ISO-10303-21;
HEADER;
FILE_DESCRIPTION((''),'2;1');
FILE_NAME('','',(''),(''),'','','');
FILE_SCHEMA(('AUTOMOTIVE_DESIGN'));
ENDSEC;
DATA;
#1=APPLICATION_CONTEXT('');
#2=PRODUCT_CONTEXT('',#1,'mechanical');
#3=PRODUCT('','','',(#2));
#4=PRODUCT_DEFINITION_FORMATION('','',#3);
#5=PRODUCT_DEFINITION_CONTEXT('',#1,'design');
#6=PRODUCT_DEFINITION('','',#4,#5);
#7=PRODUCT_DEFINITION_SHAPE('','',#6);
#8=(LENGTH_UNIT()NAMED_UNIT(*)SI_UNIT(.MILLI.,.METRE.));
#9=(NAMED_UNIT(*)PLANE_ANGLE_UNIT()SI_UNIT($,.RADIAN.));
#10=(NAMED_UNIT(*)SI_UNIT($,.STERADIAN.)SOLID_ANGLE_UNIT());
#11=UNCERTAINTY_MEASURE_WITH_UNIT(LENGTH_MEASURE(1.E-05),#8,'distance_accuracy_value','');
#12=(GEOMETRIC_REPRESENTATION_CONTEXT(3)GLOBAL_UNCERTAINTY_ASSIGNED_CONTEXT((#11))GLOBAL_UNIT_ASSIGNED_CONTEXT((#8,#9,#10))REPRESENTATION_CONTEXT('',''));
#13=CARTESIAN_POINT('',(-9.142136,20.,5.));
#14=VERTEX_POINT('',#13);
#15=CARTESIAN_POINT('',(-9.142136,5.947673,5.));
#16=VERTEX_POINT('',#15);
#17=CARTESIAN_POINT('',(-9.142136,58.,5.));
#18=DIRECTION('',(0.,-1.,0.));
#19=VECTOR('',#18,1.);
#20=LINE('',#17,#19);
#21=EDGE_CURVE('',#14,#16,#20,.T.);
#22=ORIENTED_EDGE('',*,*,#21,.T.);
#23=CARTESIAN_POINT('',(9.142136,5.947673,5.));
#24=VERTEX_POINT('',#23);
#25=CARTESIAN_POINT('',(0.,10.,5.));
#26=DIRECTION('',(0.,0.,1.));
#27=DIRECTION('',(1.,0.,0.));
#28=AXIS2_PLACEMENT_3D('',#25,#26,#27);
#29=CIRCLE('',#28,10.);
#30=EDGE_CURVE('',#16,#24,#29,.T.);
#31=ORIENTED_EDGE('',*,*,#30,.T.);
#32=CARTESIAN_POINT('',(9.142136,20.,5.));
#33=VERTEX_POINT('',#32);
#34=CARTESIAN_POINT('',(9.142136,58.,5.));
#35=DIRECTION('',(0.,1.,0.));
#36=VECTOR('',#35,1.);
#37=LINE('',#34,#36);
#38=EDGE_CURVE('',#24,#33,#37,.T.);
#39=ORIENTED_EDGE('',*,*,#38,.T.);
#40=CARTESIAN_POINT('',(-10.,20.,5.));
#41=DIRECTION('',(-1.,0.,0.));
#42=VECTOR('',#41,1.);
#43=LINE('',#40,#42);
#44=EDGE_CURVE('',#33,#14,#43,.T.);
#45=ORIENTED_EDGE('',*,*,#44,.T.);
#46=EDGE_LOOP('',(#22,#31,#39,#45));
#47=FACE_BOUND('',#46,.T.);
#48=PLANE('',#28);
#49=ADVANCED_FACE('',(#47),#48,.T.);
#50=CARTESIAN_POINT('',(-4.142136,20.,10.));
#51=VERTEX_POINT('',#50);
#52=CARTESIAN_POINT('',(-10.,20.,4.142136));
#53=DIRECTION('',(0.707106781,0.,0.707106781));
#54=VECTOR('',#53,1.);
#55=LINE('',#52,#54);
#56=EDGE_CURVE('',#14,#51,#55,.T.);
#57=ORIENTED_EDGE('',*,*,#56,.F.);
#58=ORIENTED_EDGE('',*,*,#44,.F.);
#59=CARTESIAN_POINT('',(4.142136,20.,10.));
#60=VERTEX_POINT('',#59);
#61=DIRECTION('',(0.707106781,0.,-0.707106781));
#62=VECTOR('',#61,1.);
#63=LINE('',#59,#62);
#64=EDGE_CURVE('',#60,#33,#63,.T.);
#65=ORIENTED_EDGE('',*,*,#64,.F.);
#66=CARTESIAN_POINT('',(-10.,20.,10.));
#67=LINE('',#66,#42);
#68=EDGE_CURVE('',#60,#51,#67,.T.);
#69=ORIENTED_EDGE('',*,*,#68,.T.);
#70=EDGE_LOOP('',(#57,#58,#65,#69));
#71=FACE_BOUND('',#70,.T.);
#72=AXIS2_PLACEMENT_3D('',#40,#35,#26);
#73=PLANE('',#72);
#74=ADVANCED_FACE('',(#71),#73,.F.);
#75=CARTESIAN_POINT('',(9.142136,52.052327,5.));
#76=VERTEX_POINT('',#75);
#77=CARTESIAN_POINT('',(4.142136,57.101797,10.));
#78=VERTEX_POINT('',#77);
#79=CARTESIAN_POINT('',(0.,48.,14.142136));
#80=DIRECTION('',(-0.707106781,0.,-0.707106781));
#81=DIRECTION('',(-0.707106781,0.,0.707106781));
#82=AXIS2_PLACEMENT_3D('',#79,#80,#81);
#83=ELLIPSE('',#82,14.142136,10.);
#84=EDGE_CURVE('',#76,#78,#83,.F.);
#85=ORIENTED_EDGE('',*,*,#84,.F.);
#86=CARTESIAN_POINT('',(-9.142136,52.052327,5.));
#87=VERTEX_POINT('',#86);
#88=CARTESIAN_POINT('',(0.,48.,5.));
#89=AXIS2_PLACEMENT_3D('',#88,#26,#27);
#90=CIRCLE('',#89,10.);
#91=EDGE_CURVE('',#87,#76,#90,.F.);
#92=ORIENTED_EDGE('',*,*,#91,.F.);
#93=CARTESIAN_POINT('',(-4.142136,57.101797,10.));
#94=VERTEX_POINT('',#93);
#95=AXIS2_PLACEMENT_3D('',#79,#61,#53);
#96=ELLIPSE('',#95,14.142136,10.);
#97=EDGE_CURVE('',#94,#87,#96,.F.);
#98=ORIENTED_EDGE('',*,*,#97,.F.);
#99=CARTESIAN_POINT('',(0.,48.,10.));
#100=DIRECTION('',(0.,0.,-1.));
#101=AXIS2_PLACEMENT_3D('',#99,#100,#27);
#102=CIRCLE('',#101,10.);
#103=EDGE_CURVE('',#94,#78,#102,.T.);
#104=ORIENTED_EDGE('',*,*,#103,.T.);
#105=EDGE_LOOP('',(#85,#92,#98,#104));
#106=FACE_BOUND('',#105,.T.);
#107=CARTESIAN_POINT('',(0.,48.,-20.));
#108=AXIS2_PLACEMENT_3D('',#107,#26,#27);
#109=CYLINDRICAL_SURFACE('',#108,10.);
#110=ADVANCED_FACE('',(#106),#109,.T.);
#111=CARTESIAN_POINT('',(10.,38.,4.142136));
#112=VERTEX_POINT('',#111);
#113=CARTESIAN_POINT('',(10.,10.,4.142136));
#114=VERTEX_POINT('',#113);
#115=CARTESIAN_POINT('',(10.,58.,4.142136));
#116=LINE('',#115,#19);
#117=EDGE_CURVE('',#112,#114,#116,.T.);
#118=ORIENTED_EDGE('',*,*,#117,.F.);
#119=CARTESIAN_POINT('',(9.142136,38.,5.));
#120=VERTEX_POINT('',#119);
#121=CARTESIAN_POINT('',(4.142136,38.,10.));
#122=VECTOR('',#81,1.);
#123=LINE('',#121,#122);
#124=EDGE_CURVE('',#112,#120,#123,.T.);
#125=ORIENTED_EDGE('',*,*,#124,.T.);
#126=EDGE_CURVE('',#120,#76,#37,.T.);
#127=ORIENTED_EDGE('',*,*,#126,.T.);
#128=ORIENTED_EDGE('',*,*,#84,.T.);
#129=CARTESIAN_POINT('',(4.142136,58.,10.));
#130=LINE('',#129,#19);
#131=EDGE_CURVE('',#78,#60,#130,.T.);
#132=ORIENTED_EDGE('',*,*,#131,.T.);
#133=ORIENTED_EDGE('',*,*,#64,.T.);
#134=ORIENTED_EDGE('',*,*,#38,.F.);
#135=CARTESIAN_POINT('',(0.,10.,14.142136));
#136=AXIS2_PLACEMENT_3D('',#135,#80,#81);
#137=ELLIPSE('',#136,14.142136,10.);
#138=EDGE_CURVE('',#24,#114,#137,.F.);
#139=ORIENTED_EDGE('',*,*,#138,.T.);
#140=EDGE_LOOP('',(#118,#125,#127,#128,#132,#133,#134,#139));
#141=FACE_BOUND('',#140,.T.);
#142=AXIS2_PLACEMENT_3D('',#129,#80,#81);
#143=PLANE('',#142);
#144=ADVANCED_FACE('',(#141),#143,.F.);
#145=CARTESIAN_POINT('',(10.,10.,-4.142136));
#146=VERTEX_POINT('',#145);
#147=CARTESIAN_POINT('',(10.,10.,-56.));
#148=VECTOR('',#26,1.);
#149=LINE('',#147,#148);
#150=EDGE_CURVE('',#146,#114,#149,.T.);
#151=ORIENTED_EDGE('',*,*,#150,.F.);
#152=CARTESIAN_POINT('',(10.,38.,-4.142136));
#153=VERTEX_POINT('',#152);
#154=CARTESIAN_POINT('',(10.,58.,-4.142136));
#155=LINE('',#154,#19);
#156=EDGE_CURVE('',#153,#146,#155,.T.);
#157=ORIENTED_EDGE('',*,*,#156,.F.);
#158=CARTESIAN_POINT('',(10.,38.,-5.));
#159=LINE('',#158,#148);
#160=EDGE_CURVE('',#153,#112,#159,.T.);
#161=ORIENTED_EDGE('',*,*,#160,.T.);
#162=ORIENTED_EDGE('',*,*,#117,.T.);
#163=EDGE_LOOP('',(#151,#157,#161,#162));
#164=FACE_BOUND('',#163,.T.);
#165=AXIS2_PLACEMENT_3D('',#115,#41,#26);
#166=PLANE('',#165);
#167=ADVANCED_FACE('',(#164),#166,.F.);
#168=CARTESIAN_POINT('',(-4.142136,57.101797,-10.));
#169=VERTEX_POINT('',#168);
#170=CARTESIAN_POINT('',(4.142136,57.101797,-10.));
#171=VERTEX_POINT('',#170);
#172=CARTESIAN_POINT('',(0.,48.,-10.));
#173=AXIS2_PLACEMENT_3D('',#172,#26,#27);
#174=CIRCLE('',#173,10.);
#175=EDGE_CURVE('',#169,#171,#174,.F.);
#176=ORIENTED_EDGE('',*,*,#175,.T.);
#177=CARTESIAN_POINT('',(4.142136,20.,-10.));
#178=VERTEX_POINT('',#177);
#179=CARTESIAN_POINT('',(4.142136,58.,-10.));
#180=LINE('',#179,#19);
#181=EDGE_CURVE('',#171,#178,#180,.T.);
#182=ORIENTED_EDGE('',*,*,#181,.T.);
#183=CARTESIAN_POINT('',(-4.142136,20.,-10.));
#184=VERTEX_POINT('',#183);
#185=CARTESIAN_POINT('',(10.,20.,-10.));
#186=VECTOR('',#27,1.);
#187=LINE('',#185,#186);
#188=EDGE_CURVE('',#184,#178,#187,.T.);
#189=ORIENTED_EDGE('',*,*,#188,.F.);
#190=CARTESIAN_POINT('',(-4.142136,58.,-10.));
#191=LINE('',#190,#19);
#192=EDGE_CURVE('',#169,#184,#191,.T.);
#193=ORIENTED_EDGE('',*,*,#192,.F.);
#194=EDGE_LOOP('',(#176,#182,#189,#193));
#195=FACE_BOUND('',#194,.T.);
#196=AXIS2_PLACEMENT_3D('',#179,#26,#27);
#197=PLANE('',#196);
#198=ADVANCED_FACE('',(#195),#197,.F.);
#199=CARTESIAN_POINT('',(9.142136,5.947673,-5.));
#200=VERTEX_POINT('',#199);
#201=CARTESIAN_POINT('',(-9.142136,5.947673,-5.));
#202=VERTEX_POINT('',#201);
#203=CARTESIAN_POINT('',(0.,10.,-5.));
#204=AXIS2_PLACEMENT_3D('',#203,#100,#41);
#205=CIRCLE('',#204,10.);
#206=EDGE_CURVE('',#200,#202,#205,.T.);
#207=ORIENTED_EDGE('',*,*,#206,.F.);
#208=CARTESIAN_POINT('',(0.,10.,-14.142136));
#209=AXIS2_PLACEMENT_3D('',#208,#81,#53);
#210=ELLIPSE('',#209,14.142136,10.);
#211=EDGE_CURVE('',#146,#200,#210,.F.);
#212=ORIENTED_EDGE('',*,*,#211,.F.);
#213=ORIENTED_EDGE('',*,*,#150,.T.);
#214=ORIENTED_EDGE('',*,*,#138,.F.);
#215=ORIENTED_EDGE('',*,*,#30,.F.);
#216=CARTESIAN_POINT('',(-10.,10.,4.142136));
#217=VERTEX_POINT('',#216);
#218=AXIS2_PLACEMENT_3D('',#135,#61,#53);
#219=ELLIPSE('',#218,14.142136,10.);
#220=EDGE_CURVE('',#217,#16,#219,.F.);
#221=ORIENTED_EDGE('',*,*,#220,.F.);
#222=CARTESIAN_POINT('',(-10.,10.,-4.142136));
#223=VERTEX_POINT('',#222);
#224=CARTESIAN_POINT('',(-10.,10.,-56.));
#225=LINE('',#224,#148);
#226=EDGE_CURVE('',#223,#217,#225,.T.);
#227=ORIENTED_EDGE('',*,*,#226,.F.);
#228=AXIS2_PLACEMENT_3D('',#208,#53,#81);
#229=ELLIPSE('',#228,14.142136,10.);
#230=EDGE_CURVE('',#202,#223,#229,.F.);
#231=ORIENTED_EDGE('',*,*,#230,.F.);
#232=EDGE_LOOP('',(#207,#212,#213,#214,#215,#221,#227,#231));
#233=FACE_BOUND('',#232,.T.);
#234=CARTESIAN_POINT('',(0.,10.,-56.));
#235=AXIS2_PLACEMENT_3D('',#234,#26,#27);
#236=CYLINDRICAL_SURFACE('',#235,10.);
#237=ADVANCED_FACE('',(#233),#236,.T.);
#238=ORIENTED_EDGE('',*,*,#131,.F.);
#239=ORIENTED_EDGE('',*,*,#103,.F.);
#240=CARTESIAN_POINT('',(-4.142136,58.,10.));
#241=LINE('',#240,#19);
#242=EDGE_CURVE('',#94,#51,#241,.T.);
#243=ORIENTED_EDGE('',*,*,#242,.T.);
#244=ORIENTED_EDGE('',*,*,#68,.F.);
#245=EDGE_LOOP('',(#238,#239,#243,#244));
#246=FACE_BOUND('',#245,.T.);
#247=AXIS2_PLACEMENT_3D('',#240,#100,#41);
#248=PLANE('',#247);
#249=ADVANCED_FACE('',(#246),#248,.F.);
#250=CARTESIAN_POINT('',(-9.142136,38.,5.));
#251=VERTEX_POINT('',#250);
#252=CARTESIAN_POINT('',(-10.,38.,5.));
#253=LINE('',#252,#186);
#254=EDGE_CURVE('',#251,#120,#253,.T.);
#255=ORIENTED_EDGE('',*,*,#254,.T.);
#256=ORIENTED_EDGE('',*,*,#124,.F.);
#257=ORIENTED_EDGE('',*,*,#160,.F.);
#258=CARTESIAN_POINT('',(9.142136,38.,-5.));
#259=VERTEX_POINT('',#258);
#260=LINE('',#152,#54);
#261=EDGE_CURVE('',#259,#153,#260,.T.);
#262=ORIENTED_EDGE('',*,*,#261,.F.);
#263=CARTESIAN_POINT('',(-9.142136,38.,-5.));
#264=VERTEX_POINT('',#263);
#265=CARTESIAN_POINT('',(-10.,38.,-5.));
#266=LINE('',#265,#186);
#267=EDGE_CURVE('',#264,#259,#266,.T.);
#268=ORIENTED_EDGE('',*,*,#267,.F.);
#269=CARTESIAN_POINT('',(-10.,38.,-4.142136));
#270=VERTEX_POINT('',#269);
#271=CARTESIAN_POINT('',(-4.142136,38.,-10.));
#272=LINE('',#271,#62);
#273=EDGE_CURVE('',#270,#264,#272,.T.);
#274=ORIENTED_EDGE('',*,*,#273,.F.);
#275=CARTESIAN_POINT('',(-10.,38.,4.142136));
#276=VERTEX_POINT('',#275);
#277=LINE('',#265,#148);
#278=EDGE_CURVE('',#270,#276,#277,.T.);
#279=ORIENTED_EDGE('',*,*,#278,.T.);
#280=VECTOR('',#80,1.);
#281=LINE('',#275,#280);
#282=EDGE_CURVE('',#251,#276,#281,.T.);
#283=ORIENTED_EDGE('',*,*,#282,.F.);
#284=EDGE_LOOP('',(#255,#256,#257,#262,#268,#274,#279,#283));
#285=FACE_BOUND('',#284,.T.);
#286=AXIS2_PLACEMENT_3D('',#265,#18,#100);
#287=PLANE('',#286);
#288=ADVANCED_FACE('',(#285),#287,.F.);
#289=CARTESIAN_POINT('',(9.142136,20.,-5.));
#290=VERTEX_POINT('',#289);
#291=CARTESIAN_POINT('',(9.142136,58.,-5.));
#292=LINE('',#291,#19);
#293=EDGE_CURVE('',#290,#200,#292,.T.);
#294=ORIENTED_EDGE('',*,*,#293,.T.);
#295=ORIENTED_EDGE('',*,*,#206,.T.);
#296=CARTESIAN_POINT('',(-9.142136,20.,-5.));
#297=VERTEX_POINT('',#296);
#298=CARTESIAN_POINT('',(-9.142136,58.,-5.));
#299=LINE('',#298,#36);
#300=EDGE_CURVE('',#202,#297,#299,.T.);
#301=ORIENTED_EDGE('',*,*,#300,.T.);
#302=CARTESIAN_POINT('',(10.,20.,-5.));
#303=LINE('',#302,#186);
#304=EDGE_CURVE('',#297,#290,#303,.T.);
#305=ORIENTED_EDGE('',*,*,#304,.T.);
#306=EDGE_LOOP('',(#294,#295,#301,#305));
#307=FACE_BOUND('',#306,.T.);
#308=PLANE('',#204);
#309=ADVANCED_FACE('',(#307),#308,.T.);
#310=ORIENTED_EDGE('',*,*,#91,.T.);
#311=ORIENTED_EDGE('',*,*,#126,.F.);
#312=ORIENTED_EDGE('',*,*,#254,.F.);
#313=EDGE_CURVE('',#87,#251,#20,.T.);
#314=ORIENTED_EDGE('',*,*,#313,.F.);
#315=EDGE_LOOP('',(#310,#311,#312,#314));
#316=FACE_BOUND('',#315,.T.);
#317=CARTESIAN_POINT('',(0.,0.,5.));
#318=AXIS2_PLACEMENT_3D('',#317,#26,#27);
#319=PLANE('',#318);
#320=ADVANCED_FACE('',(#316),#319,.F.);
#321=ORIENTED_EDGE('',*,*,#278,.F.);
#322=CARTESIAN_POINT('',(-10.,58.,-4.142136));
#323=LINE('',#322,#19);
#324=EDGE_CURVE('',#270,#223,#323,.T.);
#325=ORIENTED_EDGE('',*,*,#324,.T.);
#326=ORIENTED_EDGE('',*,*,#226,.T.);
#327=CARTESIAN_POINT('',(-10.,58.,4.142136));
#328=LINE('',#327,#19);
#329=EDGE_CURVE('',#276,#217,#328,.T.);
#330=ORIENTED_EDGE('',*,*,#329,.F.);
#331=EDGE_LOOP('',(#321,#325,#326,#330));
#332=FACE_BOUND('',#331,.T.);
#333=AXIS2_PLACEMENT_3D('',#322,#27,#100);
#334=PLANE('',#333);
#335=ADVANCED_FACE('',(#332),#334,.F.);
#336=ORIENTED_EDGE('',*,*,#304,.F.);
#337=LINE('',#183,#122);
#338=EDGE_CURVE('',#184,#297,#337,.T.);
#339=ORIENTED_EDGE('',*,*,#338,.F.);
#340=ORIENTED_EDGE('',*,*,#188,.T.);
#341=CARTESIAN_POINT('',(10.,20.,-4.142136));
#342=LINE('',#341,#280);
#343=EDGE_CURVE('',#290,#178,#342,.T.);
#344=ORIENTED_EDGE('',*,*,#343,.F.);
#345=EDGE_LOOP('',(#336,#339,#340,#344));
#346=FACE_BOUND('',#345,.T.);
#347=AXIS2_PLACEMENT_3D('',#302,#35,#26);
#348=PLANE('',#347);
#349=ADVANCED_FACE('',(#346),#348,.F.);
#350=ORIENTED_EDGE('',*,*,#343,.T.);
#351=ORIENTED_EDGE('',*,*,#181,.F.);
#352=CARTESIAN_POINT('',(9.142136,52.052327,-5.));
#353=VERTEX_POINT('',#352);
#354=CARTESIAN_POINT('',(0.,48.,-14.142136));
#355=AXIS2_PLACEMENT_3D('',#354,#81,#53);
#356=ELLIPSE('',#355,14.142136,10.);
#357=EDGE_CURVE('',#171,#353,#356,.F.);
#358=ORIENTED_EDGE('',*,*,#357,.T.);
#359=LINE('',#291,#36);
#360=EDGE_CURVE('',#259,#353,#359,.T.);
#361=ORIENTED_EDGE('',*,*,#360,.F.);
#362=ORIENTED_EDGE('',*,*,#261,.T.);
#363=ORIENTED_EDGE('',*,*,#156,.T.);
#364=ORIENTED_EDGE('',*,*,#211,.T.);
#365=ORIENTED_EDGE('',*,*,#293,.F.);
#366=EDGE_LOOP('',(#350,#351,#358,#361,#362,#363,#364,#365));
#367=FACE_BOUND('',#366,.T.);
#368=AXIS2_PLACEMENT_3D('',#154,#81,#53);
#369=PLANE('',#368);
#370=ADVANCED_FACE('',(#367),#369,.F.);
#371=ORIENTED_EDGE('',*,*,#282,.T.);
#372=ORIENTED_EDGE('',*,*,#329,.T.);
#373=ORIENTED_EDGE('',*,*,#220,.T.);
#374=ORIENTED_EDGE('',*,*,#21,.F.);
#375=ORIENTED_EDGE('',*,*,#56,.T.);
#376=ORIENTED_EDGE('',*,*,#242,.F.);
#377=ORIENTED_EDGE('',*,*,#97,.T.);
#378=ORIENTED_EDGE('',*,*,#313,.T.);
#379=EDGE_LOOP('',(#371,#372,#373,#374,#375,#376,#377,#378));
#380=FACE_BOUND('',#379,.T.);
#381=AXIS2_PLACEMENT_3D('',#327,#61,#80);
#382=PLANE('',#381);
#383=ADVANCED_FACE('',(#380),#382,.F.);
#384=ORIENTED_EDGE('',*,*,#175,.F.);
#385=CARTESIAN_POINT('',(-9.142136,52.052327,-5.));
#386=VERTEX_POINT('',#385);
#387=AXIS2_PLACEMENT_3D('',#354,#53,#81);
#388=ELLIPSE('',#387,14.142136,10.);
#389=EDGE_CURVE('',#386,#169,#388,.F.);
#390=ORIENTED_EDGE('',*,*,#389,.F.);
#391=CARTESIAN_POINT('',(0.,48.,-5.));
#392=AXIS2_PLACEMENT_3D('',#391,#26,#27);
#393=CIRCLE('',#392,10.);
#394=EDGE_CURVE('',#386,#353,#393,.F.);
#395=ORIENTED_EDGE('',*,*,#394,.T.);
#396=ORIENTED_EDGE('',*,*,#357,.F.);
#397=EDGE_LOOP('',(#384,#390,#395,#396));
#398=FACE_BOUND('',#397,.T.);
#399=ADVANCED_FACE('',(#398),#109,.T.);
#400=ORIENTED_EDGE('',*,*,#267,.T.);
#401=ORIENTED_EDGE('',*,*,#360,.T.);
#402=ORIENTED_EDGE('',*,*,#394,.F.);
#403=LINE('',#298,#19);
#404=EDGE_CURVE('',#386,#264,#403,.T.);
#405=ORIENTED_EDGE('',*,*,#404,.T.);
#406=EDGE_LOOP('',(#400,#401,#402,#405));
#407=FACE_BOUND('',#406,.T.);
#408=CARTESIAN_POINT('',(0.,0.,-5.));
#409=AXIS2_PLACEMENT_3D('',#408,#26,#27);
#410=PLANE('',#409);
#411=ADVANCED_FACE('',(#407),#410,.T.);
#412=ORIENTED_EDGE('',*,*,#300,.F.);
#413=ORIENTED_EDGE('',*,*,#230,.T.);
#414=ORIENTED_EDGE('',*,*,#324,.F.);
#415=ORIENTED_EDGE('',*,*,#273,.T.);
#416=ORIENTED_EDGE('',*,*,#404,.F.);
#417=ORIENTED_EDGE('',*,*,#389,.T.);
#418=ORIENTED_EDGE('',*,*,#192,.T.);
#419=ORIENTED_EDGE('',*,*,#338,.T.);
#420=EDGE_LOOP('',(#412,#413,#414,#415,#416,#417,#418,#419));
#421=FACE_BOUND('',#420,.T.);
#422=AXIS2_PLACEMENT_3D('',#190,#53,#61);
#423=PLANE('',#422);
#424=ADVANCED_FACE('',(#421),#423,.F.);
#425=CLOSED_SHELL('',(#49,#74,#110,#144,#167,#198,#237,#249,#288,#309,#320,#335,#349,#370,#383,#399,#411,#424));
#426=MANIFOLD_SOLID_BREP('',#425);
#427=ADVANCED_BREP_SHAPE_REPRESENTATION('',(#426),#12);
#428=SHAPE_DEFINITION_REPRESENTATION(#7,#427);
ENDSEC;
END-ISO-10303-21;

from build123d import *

# Parameters (mm, degrees)
EXTRUDE_1_DEPTH     = 58
CUT_EXTRUDE_1_DEPTH = 66
CUT_EXTRUDE_2_DEPTH = 5
CUT_EXTRUDE_START   = -5
CUT_EXTRUDE_3_DEPTH = 5
SKETCH_6_W          = 20
SKETCH_6_H          = 20
CUT_EXTRUDE_4_DEPTH = 5
CUT_EXTRUDE_5_DEPTH = 30


with BuildPart() as part:
    # 草图1 → 凸台-拉伸1 (new body)
    with BuildSketch(Plane(origin=(0, 0, 0), x_dir=(1, 0, 0), z_dir=(0, 1, 0))):
        Polygon((10, 4.142135624), (4.142135624, 10), (-4.142135624, 10), (-10, 4.142135624), (-10, -4.142135624), (-4.142135624, -10), (4.142135624, -10), (10, -4.142135624), align=None)
    extrude(amount=EXTRUDE_1_DEPTH)

    # 草图2 → 切除-拉伸1 (cut)
    with BuildSketch(Plane.XY.offset(10)):
        with BuildLine():
            Line((-10, 10), (-10, -2.389295552))
            Line((-10, -2.389295552), (10, -2.389295552))
            Line((10, -2.389295552), (10, 10))
            ThreePointArc((10, 10), (0, 0), (-10, 10))
        make_face()
    extrude(amount=-CUT_EXTRUDE_1_DEPTH, mode=Mode.SUBTRACT)

    # 草图4 → 切除-拉伸2 (cut)
    with BuildSketch(Plane.XY.offset(10)):
        with BuildLine():
            Line((-10, 10), (-10, 20))
            Line((-10, 20), (10, 20))
            Line((10, 20), (10, 10))
            ThreePointArc((10, 10), (0, 0), (-10, 10))
        make_face()
    extrude(amount=-CUT_EXTRUDE_2_DEPTH, mode=Mode.SUBTRACT)

    # 草图5 → 切除-拉伸3 (cut)
    with BuildSketch(Plane(origin=(0, 0, -10), x_dir=(-1, 0, 0), z_dir=(0, 0, -1)).offset(CUT_EXTRUDE_START)):
        with BuildLine():
            Line((-10, 10), (-10, 20))
            Line((-10, 20), (10, 20))
            Line((10, 20), (10, 10))
            ThreePointArc((10, 10), (0, 0), (-10, 10))
        make_face()
    extrude(amount=CUT_EXTRUDE_3_DEPTH, mode=Mode.SUBTRACT)

    # 草图6 → 切除-拉伸4 (cut, symmetric)
    with BuildSketch(Plane.XY):
        with Locations((0, 48)):
            Rectangle(SKETCH_6_W, SKETCH_6_H)
    extrude(amount=CUT_EXTRUDE_4_DEPTH, both=True, mode=Mode.SUBTRACT)

    # 草图7 → 切除-拉伸5 (cut)
    with BuildSketch(Plane.XY.offset(10)):
        with BuildLine():
            Line((-10, 48), (-10, 63.661192365))
            Line((-10, 63.661192365), (10, 63.661192365))
            Line((10, 63.661192365), (10, 48))
            ThreePointArc((10, 48), (0, 58), (-10, 48))
        make_face()
    extrude(amount=-CUT_EXTRUDE_5_DEPTH, mode=Mode.SUBTRACT)


solid = part.part
